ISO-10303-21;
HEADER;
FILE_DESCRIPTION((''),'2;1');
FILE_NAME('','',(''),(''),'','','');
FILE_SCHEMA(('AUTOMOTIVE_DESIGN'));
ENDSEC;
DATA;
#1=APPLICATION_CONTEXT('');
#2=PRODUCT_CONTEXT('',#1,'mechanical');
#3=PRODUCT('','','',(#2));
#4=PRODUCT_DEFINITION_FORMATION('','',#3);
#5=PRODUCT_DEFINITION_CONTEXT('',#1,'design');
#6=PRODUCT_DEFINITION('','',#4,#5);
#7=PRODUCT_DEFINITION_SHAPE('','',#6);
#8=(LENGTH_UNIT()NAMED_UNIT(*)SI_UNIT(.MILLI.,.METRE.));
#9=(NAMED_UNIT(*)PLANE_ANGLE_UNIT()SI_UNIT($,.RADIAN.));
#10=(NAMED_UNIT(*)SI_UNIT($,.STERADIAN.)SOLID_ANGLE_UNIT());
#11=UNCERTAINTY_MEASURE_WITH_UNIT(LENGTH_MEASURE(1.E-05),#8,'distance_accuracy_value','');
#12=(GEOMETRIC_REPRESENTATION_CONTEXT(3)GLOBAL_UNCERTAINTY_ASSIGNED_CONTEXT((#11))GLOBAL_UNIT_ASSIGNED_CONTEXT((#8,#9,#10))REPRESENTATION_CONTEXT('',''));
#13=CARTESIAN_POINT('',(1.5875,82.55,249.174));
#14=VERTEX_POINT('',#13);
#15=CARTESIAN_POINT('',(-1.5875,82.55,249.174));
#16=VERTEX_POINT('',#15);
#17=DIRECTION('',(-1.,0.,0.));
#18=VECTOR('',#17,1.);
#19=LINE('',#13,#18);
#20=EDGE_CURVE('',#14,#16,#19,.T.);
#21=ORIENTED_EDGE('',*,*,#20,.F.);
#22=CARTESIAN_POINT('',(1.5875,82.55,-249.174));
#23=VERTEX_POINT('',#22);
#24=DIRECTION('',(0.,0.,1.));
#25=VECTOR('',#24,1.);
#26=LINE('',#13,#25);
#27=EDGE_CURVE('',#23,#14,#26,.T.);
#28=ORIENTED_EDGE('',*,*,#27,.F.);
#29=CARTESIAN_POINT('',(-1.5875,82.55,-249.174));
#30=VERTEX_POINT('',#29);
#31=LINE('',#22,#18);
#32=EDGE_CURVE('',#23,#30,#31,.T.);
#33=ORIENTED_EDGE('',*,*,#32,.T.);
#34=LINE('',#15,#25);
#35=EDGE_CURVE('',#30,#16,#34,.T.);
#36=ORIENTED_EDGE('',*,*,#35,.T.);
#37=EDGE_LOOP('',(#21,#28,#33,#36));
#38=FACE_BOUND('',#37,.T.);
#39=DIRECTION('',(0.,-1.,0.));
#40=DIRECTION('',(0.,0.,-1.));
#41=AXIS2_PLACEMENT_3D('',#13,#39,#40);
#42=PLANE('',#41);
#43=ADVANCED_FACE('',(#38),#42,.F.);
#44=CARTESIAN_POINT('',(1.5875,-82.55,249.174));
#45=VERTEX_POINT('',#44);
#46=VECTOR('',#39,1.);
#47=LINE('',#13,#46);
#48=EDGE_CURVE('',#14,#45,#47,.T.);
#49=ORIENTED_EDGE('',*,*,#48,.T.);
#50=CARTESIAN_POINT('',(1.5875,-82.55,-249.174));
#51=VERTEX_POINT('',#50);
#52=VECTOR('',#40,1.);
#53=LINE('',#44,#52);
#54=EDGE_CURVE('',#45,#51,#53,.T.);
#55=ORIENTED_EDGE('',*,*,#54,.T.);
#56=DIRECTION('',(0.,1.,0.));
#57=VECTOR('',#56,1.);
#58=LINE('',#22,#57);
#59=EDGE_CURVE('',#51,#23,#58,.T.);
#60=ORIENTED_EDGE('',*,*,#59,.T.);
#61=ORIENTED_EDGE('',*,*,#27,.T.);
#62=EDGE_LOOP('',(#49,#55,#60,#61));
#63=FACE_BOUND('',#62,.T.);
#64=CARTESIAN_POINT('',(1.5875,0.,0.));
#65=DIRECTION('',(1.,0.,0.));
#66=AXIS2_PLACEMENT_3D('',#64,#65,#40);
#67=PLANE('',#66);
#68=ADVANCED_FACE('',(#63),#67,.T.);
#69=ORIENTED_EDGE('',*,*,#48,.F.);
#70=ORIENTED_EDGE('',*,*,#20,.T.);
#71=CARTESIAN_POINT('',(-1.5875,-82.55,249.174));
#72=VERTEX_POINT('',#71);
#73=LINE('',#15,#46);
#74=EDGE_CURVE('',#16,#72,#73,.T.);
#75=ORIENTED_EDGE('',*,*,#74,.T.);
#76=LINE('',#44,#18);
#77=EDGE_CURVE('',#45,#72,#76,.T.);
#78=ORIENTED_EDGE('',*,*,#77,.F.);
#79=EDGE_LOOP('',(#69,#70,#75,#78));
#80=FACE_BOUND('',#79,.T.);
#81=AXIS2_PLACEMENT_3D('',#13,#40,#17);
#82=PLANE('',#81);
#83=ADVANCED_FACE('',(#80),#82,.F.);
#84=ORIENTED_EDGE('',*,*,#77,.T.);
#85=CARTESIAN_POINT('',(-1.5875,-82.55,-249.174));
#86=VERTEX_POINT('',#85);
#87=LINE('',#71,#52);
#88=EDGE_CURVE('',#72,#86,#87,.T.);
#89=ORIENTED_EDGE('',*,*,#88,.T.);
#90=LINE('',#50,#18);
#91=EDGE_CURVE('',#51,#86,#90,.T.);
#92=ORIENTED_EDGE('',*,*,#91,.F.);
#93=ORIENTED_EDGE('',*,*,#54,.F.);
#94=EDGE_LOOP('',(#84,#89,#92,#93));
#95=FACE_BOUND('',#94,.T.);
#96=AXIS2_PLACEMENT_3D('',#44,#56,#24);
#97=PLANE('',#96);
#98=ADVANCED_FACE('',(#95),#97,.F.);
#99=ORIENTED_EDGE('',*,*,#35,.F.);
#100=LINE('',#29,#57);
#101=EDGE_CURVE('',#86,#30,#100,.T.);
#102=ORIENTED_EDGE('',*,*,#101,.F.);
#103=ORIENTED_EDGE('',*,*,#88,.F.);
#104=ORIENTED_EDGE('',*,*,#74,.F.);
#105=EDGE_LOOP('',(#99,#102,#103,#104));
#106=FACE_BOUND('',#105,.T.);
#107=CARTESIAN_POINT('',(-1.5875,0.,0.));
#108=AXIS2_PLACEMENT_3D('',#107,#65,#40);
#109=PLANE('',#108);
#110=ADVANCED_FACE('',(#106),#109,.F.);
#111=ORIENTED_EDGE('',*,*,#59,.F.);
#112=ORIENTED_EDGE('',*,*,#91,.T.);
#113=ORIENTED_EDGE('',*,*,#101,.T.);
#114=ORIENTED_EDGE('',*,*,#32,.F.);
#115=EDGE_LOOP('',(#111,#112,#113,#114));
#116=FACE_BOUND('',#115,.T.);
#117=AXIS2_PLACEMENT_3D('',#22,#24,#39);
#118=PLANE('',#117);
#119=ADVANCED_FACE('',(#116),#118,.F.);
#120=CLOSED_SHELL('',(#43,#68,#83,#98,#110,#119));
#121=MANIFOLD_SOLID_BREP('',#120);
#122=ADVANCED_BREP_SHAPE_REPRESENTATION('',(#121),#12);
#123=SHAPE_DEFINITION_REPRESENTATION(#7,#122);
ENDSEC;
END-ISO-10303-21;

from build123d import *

# Parameters (mm, degrees)
SKETCH1_W           = 498.348
SKETCH1_H           = 165.1
BOSS_EXTRUDE1_DEPTH = 1.5875


with BuildPart() as part:
    # Sketch1 → Boss-Extrude1 (new, symmetric)
    with BuildSketch(Plane(origin=(0, 0, 0), x_dir=(0, 0, -1), z_dir=(1, 0, 0))):
        Rectangle(SKETCH1_W, SKETCH1_H)
    extrude(amount=BOSS_EXTRUDE1_DEPTH, both=True)


solid = part.part
